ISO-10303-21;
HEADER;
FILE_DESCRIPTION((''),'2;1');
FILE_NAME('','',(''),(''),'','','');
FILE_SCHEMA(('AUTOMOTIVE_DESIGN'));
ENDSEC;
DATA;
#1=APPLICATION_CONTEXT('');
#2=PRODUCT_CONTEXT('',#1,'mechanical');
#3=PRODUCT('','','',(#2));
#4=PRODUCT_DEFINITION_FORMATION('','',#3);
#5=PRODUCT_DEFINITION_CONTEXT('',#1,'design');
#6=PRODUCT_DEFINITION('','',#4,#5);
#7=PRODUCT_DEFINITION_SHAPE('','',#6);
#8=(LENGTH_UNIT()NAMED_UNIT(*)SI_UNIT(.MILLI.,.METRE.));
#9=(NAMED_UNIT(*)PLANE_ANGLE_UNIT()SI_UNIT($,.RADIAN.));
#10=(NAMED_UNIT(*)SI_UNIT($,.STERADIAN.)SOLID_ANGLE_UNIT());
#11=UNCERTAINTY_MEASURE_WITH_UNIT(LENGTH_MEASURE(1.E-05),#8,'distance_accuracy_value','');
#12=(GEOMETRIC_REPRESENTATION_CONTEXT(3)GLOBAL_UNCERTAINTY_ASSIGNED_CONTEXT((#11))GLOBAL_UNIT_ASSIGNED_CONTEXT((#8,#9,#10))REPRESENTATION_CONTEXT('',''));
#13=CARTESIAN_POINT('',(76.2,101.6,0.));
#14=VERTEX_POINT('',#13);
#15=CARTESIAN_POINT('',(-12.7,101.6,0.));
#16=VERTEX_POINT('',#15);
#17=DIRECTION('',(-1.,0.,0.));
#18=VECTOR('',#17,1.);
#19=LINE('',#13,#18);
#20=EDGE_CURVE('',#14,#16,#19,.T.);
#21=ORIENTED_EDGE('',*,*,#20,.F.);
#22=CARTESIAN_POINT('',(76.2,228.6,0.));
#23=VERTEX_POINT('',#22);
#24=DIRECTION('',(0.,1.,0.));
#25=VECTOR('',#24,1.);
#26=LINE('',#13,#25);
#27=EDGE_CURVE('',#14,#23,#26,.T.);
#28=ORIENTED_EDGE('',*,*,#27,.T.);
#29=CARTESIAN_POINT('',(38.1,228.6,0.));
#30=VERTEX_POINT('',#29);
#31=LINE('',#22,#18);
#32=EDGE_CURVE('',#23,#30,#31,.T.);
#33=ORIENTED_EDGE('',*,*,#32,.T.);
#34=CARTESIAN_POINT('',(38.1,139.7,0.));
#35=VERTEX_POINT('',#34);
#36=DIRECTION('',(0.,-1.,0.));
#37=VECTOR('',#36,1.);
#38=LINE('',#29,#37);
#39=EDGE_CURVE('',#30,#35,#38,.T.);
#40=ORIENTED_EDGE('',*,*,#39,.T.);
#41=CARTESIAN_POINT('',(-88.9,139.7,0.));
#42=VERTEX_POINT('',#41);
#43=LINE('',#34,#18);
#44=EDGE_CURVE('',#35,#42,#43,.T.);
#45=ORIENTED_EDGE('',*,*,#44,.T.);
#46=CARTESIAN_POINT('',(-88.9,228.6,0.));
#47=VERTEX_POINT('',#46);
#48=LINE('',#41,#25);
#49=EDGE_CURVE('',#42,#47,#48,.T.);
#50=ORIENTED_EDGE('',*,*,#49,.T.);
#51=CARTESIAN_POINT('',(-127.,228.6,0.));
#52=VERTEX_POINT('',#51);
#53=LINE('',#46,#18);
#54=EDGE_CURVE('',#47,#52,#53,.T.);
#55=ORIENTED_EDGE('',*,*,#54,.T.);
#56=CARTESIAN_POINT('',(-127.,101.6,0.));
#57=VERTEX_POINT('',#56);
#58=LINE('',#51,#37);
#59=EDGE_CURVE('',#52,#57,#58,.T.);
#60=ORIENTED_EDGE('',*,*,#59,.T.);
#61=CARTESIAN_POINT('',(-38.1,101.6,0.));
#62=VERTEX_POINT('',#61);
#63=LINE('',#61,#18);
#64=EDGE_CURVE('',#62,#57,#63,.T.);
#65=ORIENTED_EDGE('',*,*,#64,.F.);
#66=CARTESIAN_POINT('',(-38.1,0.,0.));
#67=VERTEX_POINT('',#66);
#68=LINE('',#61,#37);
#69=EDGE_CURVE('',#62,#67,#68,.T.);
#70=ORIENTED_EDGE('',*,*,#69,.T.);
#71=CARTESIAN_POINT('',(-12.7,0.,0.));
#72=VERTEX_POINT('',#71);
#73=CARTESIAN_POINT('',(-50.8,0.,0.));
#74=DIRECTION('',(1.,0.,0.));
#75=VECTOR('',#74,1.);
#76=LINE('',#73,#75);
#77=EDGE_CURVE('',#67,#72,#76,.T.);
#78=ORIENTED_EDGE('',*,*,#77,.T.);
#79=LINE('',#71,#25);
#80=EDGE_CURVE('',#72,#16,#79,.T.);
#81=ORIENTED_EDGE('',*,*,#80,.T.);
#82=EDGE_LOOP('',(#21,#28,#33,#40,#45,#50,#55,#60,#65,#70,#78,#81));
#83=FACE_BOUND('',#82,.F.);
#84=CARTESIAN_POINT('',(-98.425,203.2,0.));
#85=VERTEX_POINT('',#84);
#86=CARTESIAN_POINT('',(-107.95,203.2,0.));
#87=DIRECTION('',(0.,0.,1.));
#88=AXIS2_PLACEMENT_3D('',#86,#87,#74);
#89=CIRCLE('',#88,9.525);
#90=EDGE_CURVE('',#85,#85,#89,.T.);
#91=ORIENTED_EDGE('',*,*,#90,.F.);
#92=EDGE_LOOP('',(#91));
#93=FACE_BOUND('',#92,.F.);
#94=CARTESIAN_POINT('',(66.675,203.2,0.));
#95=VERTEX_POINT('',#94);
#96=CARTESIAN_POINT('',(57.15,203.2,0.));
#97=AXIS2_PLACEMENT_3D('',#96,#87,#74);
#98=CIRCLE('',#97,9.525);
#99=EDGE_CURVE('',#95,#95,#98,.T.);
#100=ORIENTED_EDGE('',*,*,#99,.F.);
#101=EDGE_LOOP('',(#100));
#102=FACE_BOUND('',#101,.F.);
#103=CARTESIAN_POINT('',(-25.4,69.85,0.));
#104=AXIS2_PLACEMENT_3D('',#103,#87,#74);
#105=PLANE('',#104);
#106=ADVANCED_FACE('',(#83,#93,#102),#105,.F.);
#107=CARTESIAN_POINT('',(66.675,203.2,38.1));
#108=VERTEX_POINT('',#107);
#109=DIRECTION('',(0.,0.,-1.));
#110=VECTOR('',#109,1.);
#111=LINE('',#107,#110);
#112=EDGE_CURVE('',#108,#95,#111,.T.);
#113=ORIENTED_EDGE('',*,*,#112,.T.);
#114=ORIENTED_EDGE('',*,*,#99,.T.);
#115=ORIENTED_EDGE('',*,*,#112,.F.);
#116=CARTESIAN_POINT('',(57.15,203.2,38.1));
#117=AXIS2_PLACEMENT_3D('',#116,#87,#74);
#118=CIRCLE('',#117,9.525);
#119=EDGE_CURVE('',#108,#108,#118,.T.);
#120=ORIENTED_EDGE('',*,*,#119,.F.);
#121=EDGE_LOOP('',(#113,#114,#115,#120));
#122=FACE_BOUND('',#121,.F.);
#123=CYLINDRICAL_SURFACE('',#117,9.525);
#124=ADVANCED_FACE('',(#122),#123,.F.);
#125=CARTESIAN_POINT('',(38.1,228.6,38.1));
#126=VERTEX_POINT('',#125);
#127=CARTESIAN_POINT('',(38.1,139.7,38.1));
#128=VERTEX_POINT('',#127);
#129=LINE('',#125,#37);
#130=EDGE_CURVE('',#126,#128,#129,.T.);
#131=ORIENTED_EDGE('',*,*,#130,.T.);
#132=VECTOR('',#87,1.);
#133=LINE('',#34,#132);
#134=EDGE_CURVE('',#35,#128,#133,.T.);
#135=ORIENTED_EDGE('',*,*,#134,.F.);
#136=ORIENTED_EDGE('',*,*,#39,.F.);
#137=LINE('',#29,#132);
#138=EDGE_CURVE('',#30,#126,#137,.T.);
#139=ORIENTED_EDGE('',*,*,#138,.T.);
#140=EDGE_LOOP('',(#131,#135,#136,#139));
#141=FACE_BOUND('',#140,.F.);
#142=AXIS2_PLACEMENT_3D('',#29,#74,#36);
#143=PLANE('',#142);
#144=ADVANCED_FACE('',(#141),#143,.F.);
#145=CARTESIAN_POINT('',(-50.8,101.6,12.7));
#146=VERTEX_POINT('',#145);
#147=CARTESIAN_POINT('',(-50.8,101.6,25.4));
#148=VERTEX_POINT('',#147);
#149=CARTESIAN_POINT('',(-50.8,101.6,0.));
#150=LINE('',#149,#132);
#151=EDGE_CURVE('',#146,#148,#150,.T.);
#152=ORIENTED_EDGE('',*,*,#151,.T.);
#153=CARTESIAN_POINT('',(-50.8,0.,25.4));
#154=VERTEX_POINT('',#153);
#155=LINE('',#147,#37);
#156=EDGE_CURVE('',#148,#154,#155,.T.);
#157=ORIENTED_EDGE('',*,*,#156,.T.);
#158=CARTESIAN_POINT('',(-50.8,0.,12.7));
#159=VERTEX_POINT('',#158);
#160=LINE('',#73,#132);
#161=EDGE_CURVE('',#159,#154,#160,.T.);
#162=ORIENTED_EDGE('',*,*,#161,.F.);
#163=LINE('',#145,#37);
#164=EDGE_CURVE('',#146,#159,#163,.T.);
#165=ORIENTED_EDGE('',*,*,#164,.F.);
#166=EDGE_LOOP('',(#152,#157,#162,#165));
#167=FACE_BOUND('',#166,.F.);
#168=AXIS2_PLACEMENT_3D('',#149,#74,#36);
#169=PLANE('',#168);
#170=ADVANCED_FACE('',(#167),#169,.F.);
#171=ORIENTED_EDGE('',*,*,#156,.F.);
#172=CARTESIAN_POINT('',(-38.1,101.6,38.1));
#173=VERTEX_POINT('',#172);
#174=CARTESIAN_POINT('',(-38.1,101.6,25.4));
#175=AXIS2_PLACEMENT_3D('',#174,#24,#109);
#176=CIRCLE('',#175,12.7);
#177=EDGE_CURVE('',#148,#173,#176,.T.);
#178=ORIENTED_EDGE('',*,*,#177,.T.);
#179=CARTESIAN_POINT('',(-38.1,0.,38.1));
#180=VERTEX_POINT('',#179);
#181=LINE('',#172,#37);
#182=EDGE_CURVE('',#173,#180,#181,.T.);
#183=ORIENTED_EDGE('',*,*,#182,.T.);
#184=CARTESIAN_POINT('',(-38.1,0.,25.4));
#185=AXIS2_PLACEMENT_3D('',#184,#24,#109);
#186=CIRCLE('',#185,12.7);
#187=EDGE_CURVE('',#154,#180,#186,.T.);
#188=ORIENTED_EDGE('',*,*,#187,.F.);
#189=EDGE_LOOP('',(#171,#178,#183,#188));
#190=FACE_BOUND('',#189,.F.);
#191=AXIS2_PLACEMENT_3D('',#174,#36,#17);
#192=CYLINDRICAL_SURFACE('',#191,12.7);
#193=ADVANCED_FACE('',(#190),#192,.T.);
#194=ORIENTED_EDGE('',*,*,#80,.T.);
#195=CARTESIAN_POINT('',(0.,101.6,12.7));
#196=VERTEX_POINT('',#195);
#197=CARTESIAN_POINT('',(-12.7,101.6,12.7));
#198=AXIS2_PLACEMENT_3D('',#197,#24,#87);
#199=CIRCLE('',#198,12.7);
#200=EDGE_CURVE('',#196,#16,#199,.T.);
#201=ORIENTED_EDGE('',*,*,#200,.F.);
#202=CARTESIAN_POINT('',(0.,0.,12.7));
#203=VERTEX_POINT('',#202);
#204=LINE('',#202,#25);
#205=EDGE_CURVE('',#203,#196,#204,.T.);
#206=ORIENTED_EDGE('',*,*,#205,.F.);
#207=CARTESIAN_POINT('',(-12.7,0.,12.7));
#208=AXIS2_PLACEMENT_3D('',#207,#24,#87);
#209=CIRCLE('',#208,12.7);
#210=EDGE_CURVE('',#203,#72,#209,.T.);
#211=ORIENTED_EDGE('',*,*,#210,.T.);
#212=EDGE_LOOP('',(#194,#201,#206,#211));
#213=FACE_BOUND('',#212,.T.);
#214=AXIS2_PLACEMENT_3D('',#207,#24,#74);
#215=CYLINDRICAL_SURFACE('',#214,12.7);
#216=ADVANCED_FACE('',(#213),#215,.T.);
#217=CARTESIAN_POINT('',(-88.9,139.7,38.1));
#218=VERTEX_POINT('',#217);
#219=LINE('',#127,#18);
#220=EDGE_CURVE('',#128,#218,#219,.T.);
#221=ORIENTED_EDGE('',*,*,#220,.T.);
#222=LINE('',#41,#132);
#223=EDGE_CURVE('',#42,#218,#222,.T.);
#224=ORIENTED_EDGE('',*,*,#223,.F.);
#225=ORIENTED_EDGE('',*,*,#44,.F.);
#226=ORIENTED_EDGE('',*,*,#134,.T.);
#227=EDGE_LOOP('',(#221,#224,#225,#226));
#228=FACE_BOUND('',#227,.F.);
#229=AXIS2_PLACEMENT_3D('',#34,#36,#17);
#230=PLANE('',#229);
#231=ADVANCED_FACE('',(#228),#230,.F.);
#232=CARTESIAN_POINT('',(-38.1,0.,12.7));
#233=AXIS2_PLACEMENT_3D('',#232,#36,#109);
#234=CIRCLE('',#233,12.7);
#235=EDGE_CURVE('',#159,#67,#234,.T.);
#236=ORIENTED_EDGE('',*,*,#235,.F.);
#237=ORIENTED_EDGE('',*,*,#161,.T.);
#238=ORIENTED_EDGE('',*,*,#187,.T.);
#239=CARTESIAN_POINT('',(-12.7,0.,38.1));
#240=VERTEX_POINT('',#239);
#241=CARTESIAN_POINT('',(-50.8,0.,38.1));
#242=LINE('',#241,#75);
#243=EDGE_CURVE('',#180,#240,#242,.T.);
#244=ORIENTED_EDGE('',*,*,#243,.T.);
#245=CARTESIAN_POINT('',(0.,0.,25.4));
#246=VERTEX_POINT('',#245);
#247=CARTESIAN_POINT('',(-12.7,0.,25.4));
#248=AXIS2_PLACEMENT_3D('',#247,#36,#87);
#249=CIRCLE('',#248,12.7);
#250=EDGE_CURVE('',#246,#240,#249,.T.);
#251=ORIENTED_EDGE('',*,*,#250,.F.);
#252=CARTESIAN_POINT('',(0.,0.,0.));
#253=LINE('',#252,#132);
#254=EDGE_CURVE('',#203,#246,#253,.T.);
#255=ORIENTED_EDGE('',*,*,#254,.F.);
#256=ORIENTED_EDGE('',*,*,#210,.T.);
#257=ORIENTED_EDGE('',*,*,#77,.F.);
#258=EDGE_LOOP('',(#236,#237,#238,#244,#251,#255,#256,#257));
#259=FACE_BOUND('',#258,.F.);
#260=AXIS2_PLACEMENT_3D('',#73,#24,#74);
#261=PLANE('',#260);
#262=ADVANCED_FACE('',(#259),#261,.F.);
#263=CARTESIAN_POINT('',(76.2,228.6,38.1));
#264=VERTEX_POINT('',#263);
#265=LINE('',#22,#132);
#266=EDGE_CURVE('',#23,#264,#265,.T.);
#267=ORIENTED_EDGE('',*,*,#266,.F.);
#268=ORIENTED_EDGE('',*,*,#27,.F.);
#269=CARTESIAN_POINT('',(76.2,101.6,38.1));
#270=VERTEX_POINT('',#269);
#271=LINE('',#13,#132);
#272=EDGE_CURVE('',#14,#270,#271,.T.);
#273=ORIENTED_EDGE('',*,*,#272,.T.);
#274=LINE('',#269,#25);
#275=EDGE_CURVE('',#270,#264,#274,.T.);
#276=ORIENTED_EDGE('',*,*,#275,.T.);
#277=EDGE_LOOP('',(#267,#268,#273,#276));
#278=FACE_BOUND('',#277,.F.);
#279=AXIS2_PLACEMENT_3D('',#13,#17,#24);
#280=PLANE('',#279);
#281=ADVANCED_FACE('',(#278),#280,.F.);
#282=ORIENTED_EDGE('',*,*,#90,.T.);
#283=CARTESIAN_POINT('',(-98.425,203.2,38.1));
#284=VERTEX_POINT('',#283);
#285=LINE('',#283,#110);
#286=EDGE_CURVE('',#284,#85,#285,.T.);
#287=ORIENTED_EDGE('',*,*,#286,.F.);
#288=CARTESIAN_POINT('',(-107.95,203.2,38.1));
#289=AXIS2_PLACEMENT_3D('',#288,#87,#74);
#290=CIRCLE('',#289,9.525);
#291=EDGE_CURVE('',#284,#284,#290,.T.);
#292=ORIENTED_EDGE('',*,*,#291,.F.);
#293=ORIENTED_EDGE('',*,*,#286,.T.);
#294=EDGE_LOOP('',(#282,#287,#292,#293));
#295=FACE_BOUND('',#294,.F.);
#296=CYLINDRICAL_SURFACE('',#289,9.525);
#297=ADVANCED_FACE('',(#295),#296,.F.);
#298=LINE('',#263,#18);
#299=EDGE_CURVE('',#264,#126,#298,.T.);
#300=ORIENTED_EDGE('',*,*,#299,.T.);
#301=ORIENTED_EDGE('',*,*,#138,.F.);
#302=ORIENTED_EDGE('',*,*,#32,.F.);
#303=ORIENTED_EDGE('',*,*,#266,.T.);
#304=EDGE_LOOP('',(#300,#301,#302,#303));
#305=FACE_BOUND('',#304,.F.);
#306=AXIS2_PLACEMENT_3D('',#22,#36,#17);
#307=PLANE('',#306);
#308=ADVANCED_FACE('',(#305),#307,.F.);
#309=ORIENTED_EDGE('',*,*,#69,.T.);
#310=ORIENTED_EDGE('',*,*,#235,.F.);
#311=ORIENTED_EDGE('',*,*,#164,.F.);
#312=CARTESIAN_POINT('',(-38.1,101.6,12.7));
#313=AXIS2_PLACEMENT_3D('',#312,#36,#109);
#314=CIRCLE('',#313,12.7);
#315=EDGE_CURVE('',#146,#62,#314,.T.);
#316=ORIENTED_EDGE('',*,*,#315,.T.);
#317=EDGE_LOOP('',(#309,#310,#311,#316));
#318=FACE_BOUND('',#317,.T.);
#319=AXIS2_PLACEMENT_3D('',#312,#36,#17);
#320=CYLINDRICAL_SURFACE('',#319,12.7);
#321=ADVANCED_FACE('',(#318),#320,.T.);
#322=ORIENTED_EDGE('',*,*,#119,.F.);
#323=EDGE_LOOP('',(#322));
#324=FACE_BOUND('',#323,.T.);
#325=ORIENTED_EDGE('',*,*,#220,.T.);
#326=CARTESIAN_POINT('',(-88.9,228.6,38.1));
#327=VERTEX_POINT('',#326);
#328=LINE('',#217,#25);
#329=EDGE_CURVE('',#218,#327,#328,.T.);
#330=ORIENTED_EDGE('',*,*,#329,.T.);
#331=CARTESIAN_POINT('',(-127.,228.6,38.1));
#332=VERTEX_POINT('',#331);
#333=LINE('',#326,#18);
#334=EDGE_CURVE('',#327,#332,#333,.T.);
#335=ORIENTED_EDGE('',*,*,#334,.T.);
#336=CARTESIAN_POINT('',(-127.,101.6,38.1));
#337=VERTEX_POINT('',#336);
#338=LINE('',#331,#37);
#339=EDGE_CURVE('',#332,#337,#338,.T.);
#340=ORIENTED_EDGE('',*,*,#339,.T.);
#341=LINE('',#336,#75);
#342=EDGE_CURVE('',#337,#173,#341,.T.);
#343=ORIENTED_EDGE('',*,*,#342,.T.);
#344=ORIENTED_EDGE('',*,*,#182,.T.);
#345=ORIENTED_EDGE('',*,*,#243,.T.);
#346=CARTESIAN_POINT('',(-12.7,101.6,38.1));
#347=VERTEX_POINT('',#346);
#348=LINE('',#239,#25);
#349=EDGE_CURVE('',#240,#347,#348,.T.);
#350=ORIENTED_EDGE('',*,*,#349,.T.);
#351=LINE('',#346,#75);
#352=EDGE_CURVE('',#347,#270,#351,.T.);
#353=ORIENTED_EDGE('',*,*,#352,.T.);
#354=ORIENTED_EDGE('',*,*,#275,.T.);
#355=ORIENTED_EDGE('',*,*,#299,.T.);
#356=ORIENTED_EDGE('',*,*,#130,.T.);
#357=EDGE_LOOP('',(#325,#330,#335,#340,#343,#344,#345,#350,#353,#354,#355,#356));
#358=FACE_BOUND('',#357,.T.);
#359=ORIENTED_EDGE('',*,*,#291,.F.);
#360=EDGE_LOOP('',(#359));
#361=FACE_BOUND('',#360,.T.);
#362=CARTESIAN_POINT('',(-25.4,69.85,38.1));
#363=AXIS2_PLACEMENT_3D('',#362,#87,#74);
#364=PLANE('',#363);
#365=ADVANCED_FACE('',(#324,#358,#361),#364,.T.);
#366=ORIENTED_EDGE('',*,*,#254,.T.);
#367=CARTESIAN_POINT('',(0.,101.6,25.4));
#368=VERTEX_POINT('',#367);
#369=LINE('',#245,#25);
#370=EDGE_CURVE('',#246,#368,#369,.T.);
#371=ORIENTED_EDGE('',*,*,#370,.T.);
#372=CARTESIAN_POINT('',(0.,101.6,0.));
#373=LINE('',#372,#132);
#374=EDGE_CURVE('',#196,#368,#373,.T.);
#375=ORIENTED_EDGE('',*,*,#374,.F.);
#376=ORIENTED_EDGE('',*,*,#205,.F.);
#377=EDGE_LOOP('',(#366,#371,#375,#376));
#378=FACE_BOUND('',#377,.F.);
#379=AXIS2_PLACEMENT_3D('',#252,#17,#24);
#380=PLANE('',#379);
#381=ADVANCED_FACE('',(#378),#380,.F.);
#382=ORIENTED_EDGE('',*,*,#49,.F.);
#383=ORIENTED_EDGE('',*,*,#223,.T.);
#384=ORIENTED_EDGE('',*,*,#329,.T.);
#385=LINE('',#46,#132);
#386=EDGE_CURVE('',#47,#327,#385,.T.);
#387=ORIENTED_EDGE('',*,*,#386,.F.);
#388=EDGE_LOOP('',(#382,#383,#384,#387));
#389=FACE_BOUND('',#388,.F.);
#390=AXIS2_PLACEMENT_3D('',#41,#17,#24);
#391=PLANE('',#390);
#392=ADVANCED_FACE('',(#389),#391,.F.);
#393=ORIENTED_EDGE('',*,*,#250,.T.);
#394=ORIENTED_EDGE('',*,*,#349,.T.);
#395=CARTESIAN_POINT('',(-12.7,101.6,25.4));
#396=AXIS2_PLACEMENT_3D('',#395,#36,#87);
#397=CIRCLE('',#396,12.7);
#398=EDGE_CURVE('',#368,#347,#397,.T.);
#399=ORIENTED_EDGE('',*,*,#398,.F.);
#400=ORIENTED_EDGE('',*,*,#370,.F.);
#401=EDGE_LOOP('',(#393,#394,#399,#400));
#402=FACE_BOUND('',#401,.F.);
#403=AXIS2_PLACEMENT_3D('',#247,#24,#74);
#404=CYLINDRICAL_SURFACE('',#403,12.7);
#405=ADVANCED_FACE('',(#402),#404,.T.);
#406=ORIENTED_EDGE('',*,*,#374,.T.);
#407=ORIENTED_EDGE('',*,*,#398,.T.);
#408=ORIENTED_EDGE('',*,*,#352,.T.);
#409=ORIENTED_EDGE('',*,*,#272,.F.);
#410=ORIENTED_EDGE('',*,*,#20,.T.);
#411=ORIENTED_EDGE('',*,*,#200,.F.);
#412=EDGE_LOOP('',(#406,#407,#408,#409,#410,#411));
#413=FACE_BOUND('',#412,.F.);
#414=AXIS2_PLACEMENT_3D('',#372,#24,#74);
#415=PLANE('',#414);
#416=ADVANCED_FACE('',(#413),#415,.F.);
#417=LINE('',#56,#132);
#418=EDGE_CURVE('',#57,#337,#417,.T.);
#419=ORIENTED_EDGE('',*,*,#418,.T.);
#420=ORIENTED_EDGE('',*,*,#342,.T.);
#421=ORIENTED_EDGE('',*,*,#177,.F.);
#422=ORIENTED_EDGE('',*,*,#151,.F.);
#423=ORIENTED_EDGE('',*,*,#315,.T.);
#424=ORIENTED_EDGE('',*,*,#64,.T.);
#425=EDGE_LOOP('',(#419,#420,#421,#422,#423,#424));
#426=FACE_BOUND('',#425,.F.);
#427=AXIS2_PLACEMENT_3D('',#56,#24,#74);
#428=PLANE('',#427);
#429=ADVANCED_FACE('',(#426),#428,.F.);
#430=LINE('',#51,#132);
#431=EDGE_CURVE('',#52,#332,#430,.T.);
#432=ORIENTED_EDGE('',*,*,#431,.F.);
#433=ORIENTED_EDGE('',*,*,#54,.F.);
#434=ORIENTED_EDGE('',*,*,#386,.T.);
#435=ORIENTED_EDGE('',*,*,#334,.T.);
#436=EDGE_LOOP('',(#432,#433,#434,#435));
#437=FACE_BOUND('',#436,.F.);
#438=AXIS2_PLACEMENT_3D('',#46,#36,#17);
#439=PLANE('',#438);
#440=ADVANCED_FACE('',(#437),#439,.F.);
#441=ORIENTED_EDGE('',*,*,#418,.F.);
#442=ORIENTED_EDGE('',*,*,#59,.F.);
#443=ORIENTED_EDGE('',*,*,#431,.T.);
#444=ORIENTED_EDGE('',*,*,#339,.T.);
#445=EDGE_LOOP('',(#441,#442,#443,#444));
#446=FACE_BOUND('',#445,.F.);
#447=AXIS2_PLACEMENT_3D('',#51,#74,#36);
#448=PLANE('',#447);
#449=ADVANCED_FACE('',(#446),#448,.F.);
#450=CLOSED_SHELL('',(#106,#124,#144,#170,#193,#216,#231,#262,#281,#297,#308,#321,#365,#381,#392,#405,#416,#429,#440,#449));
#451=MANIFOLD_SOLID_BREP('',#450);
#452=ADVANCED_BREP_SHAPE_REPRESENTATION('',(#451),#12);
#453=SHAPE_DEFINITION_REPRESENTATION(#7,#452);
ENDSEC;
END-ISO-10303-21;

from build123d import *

# Parameters (mm, degrees)
F0_W     = 38.1
F0_H     = 38.1
F1_DEPTH = 38.1
F2_R     = 12.7
F4_DEPTH = 38.101


with BuildPart() as f1:
    # F0 (on Top) → F1 (new body)
    with BuildSketch(Plane.XY):
        Polygon((-50.8, 0), (0, 0), (0, 101.6), (0, 139.7), (-50.8, 139.7), (-50.8, 101.6), align=None)
        with Locations((19.05, 120.65)):
            Rectangle(F0_W, F0_H)
        with Locations((-69.85, 120.65)):
            Rectangle(F0_W, F0_H)
        Polygon((38.1, 139.7), (38.1, 101.6), (76.2, 101.6), (76.2, 228.6), (38.1, 228.6), align=None)
        Polygon((-127, 101.6), (-88.9, 101.6), (-88.9, 139.7), (-88.9, 228.6), (-127, 228.6), align=None)
    extrude(amount=F1_DEPTH)

    # F2
    f2_edges = [f1.edges().sort_by_distance(p)[0] for p in [
        (0, 50.8, 38.1),
        (-50.8, 50.8, 38.1),
        (-50.8, 50.8, 0),
        (0, 50.8, 0),
    ]]
    fillet(f2_edges, radius=F2_R)

    # F3 (on face) → F4 (cut, through all)
    with BuildSketch(Plane.XY.offset(38.1)):
        with BuildLine():
            ThreePointArc((-117.475, 203.2), (-107.95, 193.675), (-98.425, 203.2))
            Line((-98.425, 203.2), (-117.475, 203.2))
        make_face()
        with BuildLine():
            Line((66.675, 203.2), (47.625, 203.2))
            ThreePointArc((47.625, 203.2), (57.15, 193.675), (66.675, 203.2))
        make_face()
        with BuildLine():
            ThreePointArc((66.675, 203.2), (57.15, 212.725), (47.625, 203.2))
            Line((47.625, 203.2), (66.675, 203.2))
        make_face()
        with BuildLine():
            Line((-117.475, 203.2), (-98.425, 203.2))
            ThreePointArc((-98.425, 203.2), (-107.95, 212.725), (-117.475, 203.2))
        make_face()
    extrude(amount=-F4_DEPTH, mode=Mode.SUBTRACT)


solid = f1.part
